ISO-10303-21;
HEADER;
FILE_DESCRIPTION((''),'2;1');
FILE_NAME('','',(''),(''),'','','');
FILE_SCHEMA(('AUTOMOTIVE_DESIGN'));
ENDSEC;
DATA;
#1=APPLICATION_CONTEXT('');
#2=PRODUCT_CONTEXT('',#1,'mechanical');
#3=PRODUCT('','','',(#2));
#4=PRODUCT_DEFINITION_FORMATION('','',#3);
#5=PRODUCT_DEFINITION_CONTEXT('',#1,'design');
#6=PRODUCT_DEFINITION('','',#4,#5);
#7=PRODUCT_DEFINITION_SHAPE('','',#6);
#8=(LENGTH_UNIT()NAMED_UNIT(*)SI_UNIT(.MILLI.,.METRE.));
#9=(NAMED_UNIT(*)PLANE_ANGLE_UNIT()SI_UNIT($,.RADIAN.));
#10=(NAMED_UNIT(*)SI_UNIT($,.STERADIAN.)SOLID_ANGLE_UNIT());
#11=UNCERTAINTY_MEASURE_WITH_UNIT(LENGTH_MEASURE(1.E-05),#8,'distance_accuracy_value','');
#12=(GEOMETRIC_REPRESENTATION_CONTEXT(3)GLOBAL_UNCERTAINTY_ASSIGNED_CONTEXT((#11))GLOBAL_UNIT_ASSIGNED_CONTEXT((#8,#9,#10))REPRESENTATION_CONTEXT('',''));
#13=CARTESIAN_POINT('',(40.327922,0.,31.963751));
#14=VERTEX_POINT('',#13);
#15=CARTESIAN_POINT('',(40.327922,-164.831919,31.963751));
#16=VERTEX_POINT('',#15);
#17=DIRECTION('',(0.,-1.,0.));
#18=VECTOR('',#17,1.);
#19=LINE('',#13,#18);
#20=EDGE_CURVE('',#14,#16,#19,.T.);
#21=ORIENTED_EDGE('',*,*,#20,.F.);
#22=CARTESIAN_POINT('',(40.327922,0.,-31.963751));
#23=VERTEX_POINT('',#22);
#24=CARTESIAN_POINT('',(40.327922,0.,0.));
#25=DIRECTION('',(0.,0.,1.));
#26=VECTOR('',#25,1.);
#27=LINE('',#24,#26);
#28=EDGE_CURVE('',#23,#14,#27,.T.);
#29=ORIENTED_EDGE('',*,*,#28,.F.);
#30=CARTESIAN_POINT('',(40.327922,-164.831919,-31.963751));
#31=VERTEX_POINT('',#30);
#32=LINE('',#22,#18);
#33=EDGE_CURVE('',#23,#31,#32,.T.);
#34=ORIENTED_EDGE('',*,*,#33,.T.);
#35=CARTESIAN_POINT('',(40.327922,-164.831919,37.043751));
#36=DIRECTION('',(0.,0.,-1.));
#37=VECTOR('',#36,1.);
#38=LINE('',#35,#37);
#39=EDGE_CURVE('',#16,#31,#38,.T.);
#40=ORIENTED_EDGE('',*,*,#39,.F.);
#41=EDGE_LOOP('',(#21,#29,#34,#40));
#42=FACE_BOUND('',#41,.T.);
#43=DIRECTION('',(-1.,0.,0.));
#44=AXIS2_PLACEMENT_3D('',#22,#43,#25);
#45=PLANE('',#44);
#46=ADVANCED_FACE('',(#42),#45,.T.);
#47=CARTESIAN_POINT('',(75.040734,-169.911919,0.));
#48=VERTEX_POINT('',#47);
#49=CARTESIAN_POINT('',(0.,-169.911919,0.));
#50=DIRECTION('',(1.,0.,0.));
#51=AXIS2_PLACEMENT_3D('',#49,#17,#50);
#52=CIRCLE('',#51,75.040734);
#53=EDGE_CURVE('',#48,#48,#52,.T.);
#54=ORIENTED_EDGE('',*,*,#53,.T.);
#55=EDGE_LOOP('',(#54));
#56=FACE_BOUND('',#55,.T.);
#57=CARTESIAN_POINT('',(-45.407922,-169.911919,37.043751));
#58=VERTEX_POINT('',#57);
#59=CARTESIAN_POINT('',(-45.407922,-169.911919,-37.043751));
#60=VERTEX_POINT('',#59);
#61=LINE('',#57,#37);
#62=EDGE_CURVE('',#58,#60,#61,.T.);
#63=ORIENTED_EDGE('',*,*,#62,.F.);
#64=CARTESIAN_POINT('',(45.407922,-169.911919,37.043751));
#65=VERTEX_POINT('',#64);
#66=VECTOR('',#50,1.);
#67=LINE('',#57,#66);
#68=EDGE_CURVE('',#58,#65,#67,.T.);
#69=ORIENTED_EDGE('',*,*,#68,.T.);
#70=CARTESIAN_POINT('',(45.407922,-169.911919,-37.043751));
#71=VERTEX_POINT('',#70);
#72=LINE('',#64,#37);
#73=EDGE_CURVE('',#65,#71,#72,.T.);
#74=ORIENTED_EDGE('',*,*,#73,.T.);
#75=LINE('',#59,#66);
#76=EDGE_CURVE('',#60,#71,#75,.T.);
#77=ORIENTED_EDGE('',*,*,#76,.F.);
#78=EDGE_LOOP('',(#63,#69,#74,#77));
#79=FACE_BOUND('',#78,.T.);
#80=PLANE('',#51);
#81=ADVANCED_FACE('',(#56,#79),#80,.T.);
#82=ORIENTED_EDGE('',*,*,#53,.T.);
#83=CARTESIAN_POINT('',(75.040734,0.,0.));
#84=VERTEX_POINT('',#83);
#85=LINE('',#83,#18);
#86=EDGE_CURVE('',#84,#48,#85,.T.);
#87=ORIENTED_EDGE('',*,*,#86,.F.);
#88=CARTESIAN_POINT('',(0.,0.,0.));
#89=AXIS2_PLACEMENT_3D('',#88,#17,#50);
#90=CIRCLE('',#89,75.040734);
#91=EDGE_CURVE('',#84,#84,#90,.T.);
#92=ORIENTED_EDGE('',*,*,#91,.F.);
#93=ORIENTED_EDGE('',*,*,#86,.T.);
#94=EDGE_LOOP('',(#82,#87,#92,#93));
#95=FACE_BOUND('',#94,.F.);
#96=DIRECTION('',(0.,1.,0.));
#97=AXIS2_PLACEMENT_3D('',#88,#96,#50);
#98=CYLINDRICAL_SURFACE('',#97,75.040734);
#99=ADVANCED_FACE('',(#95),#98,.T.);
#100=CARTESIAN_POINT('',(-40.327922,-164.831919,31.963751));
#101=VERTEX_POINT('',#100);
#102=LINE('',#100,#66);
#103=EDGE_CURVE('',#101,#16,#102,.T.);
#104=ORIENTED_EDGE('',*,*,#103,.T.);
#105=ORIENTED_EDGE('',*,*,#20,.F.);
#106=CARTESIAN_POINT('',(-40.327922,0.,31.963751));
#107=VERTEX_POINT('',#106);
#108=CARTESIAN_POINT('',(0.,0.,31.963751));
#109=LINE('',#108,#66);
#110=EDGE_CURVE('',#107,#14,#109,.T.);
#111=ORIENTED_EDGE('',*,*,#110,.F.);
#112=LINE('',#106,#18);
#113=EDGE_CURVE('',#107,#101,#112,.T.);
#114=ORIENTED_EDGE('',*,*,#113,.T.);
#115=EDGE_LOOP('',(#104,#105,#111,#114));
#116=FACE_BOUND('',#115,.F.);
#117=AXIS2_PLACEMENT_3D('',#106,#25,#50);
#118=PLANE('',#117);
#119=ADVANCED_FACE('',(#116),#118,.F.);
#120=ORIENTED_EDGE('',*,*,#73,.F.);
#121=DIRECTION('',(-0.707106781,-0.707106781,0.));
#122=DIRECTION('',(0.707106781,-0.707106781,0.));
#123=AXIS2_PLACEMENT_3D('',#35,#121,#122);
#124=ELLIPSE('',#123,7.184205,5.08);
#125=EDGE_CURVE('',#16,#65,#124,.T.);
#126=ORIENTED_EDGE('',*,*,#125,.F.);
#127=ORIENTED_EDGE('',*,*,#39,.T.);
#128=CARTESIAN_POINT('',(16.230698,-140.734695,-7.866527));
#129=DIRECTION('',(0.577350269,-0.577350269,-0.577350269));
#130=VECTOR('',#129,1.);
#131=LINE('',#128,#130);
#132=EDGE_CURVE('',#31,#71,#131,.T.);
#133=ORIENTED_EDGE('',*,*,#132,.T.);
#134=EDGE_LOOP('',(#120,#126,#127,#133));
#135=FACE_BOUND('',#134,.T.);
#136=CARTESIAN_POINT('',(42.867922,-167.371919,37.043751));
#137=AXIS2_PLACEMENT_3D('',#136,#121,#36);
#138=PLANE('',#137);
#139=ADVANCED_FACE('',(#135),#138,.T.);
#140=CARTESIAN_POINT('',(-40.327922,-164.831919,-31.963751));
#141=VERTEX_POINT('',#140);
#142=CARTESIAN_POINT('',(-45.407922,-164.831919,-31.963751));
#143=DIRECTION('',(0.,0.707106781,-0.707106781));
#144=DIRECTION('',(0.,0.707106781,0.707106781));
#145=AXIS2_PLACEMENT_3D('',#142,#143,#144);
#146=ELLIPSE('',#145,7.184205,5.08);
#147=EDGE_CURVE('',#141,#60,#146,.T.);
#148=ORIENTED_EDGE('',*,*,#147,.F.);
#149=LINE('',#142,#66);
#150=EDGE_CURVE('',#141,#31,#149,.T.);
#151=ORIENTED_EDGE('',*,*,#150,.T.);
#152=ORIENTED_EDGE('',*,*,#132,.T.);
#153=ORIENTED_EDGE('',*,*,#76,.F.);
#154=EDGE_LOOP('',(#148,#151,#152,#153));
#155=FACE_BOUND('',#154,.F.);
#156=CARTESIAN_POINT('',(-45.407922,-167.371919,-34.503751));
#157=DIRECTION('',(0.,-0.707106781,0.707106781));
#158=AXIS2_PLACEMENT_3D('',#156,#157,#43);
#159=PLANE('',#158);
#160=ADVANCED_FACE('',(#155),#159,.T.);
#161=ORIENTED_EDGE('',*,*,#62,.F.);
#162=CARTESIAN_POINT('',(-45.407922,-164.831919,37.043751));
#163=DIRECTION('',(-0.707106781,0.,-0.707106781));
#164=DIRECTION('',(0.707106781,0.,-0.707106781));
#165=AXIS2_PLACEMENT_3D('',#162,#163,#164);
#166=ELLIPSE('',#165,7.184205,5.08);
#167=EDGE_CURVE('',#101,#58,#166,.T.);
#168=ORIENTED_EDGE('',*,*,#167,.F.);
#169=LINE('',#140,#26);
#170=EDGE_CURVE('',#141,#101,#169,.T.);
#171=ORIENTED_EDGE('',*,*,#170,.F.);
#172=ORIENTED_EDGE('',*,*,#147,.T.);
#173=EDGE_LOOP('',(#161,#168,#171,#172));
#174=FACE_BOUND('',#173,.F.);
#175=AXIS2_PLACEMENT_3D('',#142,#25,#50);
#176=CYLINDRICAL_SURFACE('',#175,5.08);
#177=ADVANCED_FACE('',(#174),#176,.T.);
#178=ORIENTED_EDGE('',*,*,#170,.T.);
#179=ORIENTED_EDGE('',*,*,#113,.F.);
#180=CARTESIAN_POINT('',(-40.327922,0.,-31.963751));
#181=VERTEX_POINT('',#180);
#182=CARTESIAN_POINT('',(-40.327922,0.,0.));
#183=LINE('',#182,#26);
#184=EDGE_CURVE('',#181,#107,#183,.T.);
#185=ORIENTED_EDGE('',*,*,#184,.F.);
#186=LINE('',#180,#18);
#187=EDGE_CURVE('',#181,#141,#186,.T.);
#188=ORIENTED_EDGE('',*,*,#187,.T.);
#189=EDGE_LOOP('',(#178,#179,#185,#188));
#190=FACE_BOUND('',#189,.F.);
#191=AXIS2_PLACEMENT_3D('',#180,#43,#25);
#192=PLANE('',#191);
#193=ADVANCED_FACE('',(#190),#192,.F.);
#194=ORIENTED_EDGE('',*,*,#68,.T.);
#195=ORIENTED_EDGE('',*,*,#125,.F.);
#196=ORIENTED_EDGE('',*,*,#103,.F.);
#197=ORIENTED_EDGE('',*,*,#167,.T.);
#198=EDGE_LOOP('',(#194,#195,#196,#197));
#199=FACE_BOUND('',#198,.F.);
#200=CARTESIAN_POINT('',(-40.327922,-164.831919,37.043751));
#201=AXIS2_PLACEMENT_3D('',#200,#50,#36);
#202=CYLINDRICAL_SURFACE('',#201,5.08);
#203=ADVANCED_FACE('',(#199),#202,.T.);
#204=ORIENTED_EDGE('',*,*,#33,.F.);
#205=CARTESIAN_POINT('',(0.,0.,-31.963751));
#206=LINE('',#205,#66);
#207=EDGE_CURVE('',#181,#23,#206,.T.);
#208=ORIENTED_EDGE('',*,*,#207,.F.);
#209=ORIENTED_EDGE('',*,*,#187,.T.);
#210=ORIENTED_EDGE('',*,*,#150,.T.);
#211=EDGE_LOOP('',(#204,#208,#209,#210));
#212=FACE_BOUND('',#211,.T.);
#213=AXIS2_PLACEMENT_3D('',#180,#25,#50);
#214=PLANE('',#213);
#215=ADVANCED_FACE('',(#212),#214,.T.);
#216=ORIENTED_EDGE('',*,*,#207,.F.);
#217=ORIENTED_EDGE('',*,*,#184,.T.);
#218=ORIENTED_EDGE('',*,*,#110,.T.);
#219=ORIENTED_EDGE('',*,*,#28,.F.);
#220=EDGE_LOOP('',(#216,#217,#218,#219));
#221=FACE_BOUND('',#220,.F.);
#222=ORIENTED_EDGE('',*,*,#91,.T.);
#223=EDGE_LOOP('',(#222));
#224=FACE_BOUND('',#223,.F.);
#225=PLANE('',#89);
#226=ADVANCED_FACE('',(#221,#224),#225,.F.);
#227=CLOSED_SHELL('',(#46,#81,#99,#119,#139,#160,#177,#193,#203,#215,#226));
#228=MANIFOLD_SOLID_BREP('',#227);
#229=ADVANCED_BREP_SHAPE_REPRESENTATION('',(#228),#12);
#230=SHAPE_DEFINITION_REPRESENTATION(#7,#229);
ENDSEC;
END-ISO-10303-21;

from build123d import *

# Parameters (mm, degrees)
F0_R     = 75.040734
F0_W     = 80.655844
F0_H     = 63.927502
F1_DEPTH = 169.911919
F2_R     = 5.08
F3_SIZE  = 5.08


with BuildPart() as f1:
    # F0 (on Front) → F1 (new body)
    with BuildSketch(Plane.XZ):
        Circle(F0_R)
        Rectangle(F0_W, F0_H, mode=Mode.SUBTRACT)
    extrude(amount=F1_DEPTH)

    # F2
    f2_edges = [f1.edges().sort_by_distance(p)[0] for p in [
        (0, -169.911919, 31.963751),
        (-40.327922, -169.911919, 0),
    ]]
    fillet(f2_edges, radius=F2_R)

    # F3
    f3_edges = [f1.edges().sort_by_distance(p)[0] for p in [
        (40.327922, -169.911919, 0),
        (0, -169.911919, -31.963751),
    ]]
    chamfer(f3_edges, length=F3_SIZE)


solid = f1.part
